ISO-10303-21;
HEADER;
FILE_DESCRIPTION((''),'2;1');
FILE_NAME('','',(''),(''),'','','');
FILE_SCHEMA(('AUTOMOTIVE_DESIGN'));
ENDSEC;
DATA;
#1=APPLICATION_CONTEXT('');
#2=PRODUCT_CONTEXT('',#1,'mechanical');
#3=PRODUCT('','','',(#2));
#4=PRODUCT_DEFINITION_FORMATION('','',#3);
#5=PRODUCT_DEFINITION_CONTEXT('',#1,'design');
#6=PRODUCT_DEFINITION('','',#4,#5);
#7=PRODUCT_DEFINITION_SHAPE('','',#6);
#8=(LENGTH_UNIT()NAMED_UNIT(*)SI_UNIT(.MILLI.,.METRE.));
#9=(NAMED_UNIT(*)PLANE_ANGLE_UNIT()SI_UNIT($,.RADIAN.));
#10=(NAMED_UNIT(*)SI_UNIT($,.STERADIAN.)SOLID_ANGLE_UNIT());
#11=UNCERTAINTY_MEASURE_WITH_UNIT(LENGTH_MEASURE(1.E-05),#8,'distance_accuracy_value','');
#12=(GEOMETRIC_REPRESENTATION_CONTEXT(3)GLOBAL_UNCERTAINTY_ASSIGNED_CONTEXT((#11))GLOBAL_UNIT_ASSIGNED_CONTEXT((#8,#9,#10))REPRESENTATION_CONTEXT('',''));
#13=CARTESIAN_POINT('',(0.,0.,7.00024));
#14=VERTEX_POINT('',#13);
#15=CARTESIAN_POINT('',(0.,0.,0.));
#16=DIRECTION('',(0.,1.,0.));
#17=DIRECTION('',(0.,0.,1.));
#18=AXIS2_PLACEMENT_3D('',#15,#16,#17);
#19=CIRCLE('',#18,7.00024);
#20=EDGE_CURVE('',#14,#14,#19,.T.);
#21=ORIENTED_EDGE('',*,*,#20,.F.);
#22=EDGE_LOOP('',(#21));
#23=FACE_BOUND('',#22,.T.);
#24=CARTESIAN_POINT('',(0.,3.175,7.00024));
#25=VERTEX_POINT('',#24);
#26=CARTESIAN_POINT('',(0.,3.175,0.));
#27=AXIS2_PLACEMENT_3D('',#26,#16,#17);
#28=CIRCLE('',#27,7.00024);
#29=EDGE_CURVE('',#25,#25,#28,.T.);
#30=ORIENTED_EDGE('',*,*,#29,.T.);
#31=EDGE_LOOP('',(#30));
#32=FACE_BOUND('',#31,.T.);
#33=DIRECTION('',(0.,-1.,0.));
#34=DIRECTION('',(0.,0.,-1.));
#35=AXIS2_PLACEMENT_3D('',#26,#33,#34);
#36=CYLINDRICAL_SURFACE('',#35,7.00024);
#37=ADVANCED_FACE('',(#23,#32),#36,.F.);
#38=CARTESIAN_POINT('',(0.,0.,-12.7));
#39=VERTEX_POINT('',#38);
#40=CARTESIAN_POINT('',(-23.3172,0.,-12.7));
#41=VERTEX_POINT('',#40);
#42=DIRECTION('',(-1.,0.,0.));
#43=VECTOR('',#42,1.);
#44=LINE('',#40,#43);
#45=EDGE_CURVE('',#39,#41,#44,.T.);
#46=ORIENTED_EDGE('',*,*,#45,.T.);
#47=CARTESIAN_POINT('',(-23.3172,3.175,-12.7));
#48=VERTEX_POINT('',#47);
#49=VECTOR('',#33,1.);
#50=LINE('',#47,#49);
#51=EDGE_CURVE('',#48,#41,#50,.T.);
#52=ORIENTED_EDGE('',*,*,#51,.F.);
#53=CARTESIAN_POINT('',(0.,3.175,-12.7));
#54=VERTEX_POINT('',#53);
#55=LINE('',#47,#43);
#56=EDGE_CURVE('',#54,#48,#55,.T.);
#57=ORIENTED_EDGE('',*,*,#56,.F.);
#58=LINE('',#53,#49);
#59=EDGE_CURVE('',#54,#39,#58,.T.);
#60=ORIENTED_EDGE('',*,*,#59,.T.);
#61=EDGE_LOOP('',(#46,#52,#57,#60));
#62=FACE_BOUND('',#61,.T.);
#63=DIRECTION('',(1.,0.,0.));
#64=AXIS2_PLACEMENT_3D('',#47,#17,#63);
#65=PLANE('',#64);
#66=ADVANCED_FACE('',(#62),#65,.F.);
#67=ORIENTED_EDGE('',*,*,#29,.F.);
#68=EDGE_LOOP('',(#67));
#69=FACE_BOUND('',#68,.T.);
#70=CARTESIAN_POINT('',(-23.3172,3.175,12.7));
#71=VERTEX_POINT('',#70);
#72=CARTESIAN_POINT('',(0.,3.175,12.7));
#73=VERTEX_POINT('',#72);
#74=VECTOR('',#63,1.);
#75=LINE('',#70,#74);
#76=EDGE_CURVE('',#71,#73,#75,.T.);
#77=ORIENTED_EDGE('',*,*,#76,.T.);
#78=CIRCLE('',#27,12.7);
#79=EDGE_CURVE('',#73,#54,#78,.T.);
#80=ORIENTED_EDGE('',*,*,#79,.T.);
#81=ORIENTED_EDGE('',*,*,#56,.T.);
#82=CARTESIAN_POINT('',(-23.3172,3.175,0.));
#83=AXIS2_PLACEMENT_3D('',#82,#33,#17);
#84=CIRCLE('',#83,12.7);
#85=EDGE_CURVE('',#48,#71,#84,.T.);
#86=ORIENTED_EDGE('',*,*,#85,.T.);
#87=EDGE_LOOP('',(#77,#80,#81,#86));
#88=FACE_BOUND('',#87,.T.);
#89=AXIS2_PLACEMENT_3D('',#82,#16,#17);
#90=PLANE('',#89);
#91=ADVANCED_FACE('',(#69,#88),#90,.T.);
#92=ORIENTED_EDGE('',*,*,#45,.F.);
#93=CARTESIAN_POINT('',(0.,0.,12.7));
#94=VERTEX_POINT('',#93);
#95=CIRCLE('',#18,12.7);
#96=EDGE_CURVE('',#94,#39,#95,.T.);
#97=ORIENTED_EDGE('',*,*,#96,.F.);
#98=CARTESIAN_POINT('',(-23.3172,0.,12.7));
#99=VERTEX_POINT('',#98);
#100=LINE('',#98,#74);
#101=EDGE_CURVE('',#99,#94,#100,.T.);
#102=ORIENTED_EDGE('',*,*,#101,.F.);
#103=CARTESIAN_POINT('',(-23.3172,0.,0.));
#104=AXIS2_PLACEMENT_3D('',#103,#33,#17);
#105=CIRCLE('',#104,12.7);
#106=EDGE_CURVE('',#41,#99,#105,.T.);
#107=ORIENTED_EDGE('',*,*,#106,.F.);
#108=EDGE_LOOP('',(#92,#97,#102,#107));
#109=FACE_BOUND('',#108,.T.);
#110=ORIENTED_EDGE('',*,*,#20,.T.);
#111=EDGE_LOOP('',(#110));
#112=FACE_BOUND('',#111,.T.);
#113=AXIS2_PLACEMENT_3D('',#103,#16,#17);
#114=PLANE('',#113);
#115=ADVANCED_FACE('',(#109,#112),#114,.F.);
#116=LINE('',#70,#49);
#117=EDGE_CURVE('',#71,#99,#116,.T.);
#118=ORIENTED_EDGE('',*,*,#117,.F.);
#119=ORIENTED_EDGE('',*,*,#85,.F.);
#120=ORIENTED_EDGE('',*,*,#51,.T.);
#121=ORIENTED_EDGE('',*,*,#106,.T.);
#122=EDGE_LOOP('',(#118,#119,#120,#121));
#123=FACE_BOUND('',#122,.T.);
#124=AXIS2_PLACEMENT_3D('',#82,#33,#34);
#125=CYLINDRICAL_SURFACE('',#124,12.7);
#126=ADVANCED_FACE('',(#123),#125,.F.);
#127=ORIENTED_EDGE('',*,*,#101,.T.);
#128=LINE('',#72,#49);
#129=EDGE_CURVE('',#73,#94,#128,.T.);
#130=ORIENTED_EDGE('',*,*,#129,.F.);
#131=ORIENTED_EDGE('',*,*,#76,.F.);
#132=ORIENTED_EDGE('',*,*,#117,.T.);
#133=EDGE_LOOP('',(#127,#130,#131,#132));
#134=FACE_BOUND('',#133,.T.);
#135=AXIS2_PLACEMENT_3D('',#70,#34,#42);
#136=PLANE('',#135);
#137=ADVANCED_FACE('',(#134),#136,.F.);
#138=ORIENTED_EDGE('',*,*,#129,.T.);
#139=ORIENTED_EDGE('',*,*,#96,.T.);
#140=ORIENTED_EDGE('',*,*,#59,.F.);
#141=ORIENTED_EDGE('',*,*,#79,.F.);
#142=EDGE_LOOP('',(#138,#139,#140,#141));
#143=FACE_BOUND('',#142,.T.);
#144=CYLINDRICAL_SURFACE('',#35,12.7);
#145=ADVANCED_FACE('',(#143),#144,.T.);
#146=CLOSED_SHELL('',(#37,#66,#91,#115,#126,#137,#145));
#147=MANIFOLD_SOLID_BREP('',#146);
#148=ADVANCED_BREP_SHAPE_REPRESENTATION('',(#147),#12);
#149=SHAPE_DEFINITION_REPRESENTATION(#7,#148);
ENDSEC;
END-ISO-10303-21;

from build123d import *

# Parameters (mm, degrees)
SKETCH1_R           = 7.00024
BOSS_EXTRUDE1_DEPTH = 3.175


with BuildPart() as part:
    # Sketch1 → Boss-Extrude1 (new body)
    with BuildSketch(Plane(origin=(0, 0, 0), x_dir=(1, 0, 0), z_dir=(0, 1, 0))):
        with BuildLine():
            Line((-23.3172, 12.7), (0, 12.7))
            ThreePointArc((0, 12.7), (12.7, 0), (0, -12.7))
            Line((0, -12.7), (-23.3172, -12.7))
            ThreePointArc((-23.3172, -12.7), (-10.6172, 0), (-23.3172, 12.7))
        make_face()
        with Locations(Location((0, 0, 0), (0, 0, 270))):
            Circle(SKETCH1_R, mode=Mode.SUBTRACT)
    extrude(amount=BOSS_EXTRUDE1_DEPTH)


solid = part.part
